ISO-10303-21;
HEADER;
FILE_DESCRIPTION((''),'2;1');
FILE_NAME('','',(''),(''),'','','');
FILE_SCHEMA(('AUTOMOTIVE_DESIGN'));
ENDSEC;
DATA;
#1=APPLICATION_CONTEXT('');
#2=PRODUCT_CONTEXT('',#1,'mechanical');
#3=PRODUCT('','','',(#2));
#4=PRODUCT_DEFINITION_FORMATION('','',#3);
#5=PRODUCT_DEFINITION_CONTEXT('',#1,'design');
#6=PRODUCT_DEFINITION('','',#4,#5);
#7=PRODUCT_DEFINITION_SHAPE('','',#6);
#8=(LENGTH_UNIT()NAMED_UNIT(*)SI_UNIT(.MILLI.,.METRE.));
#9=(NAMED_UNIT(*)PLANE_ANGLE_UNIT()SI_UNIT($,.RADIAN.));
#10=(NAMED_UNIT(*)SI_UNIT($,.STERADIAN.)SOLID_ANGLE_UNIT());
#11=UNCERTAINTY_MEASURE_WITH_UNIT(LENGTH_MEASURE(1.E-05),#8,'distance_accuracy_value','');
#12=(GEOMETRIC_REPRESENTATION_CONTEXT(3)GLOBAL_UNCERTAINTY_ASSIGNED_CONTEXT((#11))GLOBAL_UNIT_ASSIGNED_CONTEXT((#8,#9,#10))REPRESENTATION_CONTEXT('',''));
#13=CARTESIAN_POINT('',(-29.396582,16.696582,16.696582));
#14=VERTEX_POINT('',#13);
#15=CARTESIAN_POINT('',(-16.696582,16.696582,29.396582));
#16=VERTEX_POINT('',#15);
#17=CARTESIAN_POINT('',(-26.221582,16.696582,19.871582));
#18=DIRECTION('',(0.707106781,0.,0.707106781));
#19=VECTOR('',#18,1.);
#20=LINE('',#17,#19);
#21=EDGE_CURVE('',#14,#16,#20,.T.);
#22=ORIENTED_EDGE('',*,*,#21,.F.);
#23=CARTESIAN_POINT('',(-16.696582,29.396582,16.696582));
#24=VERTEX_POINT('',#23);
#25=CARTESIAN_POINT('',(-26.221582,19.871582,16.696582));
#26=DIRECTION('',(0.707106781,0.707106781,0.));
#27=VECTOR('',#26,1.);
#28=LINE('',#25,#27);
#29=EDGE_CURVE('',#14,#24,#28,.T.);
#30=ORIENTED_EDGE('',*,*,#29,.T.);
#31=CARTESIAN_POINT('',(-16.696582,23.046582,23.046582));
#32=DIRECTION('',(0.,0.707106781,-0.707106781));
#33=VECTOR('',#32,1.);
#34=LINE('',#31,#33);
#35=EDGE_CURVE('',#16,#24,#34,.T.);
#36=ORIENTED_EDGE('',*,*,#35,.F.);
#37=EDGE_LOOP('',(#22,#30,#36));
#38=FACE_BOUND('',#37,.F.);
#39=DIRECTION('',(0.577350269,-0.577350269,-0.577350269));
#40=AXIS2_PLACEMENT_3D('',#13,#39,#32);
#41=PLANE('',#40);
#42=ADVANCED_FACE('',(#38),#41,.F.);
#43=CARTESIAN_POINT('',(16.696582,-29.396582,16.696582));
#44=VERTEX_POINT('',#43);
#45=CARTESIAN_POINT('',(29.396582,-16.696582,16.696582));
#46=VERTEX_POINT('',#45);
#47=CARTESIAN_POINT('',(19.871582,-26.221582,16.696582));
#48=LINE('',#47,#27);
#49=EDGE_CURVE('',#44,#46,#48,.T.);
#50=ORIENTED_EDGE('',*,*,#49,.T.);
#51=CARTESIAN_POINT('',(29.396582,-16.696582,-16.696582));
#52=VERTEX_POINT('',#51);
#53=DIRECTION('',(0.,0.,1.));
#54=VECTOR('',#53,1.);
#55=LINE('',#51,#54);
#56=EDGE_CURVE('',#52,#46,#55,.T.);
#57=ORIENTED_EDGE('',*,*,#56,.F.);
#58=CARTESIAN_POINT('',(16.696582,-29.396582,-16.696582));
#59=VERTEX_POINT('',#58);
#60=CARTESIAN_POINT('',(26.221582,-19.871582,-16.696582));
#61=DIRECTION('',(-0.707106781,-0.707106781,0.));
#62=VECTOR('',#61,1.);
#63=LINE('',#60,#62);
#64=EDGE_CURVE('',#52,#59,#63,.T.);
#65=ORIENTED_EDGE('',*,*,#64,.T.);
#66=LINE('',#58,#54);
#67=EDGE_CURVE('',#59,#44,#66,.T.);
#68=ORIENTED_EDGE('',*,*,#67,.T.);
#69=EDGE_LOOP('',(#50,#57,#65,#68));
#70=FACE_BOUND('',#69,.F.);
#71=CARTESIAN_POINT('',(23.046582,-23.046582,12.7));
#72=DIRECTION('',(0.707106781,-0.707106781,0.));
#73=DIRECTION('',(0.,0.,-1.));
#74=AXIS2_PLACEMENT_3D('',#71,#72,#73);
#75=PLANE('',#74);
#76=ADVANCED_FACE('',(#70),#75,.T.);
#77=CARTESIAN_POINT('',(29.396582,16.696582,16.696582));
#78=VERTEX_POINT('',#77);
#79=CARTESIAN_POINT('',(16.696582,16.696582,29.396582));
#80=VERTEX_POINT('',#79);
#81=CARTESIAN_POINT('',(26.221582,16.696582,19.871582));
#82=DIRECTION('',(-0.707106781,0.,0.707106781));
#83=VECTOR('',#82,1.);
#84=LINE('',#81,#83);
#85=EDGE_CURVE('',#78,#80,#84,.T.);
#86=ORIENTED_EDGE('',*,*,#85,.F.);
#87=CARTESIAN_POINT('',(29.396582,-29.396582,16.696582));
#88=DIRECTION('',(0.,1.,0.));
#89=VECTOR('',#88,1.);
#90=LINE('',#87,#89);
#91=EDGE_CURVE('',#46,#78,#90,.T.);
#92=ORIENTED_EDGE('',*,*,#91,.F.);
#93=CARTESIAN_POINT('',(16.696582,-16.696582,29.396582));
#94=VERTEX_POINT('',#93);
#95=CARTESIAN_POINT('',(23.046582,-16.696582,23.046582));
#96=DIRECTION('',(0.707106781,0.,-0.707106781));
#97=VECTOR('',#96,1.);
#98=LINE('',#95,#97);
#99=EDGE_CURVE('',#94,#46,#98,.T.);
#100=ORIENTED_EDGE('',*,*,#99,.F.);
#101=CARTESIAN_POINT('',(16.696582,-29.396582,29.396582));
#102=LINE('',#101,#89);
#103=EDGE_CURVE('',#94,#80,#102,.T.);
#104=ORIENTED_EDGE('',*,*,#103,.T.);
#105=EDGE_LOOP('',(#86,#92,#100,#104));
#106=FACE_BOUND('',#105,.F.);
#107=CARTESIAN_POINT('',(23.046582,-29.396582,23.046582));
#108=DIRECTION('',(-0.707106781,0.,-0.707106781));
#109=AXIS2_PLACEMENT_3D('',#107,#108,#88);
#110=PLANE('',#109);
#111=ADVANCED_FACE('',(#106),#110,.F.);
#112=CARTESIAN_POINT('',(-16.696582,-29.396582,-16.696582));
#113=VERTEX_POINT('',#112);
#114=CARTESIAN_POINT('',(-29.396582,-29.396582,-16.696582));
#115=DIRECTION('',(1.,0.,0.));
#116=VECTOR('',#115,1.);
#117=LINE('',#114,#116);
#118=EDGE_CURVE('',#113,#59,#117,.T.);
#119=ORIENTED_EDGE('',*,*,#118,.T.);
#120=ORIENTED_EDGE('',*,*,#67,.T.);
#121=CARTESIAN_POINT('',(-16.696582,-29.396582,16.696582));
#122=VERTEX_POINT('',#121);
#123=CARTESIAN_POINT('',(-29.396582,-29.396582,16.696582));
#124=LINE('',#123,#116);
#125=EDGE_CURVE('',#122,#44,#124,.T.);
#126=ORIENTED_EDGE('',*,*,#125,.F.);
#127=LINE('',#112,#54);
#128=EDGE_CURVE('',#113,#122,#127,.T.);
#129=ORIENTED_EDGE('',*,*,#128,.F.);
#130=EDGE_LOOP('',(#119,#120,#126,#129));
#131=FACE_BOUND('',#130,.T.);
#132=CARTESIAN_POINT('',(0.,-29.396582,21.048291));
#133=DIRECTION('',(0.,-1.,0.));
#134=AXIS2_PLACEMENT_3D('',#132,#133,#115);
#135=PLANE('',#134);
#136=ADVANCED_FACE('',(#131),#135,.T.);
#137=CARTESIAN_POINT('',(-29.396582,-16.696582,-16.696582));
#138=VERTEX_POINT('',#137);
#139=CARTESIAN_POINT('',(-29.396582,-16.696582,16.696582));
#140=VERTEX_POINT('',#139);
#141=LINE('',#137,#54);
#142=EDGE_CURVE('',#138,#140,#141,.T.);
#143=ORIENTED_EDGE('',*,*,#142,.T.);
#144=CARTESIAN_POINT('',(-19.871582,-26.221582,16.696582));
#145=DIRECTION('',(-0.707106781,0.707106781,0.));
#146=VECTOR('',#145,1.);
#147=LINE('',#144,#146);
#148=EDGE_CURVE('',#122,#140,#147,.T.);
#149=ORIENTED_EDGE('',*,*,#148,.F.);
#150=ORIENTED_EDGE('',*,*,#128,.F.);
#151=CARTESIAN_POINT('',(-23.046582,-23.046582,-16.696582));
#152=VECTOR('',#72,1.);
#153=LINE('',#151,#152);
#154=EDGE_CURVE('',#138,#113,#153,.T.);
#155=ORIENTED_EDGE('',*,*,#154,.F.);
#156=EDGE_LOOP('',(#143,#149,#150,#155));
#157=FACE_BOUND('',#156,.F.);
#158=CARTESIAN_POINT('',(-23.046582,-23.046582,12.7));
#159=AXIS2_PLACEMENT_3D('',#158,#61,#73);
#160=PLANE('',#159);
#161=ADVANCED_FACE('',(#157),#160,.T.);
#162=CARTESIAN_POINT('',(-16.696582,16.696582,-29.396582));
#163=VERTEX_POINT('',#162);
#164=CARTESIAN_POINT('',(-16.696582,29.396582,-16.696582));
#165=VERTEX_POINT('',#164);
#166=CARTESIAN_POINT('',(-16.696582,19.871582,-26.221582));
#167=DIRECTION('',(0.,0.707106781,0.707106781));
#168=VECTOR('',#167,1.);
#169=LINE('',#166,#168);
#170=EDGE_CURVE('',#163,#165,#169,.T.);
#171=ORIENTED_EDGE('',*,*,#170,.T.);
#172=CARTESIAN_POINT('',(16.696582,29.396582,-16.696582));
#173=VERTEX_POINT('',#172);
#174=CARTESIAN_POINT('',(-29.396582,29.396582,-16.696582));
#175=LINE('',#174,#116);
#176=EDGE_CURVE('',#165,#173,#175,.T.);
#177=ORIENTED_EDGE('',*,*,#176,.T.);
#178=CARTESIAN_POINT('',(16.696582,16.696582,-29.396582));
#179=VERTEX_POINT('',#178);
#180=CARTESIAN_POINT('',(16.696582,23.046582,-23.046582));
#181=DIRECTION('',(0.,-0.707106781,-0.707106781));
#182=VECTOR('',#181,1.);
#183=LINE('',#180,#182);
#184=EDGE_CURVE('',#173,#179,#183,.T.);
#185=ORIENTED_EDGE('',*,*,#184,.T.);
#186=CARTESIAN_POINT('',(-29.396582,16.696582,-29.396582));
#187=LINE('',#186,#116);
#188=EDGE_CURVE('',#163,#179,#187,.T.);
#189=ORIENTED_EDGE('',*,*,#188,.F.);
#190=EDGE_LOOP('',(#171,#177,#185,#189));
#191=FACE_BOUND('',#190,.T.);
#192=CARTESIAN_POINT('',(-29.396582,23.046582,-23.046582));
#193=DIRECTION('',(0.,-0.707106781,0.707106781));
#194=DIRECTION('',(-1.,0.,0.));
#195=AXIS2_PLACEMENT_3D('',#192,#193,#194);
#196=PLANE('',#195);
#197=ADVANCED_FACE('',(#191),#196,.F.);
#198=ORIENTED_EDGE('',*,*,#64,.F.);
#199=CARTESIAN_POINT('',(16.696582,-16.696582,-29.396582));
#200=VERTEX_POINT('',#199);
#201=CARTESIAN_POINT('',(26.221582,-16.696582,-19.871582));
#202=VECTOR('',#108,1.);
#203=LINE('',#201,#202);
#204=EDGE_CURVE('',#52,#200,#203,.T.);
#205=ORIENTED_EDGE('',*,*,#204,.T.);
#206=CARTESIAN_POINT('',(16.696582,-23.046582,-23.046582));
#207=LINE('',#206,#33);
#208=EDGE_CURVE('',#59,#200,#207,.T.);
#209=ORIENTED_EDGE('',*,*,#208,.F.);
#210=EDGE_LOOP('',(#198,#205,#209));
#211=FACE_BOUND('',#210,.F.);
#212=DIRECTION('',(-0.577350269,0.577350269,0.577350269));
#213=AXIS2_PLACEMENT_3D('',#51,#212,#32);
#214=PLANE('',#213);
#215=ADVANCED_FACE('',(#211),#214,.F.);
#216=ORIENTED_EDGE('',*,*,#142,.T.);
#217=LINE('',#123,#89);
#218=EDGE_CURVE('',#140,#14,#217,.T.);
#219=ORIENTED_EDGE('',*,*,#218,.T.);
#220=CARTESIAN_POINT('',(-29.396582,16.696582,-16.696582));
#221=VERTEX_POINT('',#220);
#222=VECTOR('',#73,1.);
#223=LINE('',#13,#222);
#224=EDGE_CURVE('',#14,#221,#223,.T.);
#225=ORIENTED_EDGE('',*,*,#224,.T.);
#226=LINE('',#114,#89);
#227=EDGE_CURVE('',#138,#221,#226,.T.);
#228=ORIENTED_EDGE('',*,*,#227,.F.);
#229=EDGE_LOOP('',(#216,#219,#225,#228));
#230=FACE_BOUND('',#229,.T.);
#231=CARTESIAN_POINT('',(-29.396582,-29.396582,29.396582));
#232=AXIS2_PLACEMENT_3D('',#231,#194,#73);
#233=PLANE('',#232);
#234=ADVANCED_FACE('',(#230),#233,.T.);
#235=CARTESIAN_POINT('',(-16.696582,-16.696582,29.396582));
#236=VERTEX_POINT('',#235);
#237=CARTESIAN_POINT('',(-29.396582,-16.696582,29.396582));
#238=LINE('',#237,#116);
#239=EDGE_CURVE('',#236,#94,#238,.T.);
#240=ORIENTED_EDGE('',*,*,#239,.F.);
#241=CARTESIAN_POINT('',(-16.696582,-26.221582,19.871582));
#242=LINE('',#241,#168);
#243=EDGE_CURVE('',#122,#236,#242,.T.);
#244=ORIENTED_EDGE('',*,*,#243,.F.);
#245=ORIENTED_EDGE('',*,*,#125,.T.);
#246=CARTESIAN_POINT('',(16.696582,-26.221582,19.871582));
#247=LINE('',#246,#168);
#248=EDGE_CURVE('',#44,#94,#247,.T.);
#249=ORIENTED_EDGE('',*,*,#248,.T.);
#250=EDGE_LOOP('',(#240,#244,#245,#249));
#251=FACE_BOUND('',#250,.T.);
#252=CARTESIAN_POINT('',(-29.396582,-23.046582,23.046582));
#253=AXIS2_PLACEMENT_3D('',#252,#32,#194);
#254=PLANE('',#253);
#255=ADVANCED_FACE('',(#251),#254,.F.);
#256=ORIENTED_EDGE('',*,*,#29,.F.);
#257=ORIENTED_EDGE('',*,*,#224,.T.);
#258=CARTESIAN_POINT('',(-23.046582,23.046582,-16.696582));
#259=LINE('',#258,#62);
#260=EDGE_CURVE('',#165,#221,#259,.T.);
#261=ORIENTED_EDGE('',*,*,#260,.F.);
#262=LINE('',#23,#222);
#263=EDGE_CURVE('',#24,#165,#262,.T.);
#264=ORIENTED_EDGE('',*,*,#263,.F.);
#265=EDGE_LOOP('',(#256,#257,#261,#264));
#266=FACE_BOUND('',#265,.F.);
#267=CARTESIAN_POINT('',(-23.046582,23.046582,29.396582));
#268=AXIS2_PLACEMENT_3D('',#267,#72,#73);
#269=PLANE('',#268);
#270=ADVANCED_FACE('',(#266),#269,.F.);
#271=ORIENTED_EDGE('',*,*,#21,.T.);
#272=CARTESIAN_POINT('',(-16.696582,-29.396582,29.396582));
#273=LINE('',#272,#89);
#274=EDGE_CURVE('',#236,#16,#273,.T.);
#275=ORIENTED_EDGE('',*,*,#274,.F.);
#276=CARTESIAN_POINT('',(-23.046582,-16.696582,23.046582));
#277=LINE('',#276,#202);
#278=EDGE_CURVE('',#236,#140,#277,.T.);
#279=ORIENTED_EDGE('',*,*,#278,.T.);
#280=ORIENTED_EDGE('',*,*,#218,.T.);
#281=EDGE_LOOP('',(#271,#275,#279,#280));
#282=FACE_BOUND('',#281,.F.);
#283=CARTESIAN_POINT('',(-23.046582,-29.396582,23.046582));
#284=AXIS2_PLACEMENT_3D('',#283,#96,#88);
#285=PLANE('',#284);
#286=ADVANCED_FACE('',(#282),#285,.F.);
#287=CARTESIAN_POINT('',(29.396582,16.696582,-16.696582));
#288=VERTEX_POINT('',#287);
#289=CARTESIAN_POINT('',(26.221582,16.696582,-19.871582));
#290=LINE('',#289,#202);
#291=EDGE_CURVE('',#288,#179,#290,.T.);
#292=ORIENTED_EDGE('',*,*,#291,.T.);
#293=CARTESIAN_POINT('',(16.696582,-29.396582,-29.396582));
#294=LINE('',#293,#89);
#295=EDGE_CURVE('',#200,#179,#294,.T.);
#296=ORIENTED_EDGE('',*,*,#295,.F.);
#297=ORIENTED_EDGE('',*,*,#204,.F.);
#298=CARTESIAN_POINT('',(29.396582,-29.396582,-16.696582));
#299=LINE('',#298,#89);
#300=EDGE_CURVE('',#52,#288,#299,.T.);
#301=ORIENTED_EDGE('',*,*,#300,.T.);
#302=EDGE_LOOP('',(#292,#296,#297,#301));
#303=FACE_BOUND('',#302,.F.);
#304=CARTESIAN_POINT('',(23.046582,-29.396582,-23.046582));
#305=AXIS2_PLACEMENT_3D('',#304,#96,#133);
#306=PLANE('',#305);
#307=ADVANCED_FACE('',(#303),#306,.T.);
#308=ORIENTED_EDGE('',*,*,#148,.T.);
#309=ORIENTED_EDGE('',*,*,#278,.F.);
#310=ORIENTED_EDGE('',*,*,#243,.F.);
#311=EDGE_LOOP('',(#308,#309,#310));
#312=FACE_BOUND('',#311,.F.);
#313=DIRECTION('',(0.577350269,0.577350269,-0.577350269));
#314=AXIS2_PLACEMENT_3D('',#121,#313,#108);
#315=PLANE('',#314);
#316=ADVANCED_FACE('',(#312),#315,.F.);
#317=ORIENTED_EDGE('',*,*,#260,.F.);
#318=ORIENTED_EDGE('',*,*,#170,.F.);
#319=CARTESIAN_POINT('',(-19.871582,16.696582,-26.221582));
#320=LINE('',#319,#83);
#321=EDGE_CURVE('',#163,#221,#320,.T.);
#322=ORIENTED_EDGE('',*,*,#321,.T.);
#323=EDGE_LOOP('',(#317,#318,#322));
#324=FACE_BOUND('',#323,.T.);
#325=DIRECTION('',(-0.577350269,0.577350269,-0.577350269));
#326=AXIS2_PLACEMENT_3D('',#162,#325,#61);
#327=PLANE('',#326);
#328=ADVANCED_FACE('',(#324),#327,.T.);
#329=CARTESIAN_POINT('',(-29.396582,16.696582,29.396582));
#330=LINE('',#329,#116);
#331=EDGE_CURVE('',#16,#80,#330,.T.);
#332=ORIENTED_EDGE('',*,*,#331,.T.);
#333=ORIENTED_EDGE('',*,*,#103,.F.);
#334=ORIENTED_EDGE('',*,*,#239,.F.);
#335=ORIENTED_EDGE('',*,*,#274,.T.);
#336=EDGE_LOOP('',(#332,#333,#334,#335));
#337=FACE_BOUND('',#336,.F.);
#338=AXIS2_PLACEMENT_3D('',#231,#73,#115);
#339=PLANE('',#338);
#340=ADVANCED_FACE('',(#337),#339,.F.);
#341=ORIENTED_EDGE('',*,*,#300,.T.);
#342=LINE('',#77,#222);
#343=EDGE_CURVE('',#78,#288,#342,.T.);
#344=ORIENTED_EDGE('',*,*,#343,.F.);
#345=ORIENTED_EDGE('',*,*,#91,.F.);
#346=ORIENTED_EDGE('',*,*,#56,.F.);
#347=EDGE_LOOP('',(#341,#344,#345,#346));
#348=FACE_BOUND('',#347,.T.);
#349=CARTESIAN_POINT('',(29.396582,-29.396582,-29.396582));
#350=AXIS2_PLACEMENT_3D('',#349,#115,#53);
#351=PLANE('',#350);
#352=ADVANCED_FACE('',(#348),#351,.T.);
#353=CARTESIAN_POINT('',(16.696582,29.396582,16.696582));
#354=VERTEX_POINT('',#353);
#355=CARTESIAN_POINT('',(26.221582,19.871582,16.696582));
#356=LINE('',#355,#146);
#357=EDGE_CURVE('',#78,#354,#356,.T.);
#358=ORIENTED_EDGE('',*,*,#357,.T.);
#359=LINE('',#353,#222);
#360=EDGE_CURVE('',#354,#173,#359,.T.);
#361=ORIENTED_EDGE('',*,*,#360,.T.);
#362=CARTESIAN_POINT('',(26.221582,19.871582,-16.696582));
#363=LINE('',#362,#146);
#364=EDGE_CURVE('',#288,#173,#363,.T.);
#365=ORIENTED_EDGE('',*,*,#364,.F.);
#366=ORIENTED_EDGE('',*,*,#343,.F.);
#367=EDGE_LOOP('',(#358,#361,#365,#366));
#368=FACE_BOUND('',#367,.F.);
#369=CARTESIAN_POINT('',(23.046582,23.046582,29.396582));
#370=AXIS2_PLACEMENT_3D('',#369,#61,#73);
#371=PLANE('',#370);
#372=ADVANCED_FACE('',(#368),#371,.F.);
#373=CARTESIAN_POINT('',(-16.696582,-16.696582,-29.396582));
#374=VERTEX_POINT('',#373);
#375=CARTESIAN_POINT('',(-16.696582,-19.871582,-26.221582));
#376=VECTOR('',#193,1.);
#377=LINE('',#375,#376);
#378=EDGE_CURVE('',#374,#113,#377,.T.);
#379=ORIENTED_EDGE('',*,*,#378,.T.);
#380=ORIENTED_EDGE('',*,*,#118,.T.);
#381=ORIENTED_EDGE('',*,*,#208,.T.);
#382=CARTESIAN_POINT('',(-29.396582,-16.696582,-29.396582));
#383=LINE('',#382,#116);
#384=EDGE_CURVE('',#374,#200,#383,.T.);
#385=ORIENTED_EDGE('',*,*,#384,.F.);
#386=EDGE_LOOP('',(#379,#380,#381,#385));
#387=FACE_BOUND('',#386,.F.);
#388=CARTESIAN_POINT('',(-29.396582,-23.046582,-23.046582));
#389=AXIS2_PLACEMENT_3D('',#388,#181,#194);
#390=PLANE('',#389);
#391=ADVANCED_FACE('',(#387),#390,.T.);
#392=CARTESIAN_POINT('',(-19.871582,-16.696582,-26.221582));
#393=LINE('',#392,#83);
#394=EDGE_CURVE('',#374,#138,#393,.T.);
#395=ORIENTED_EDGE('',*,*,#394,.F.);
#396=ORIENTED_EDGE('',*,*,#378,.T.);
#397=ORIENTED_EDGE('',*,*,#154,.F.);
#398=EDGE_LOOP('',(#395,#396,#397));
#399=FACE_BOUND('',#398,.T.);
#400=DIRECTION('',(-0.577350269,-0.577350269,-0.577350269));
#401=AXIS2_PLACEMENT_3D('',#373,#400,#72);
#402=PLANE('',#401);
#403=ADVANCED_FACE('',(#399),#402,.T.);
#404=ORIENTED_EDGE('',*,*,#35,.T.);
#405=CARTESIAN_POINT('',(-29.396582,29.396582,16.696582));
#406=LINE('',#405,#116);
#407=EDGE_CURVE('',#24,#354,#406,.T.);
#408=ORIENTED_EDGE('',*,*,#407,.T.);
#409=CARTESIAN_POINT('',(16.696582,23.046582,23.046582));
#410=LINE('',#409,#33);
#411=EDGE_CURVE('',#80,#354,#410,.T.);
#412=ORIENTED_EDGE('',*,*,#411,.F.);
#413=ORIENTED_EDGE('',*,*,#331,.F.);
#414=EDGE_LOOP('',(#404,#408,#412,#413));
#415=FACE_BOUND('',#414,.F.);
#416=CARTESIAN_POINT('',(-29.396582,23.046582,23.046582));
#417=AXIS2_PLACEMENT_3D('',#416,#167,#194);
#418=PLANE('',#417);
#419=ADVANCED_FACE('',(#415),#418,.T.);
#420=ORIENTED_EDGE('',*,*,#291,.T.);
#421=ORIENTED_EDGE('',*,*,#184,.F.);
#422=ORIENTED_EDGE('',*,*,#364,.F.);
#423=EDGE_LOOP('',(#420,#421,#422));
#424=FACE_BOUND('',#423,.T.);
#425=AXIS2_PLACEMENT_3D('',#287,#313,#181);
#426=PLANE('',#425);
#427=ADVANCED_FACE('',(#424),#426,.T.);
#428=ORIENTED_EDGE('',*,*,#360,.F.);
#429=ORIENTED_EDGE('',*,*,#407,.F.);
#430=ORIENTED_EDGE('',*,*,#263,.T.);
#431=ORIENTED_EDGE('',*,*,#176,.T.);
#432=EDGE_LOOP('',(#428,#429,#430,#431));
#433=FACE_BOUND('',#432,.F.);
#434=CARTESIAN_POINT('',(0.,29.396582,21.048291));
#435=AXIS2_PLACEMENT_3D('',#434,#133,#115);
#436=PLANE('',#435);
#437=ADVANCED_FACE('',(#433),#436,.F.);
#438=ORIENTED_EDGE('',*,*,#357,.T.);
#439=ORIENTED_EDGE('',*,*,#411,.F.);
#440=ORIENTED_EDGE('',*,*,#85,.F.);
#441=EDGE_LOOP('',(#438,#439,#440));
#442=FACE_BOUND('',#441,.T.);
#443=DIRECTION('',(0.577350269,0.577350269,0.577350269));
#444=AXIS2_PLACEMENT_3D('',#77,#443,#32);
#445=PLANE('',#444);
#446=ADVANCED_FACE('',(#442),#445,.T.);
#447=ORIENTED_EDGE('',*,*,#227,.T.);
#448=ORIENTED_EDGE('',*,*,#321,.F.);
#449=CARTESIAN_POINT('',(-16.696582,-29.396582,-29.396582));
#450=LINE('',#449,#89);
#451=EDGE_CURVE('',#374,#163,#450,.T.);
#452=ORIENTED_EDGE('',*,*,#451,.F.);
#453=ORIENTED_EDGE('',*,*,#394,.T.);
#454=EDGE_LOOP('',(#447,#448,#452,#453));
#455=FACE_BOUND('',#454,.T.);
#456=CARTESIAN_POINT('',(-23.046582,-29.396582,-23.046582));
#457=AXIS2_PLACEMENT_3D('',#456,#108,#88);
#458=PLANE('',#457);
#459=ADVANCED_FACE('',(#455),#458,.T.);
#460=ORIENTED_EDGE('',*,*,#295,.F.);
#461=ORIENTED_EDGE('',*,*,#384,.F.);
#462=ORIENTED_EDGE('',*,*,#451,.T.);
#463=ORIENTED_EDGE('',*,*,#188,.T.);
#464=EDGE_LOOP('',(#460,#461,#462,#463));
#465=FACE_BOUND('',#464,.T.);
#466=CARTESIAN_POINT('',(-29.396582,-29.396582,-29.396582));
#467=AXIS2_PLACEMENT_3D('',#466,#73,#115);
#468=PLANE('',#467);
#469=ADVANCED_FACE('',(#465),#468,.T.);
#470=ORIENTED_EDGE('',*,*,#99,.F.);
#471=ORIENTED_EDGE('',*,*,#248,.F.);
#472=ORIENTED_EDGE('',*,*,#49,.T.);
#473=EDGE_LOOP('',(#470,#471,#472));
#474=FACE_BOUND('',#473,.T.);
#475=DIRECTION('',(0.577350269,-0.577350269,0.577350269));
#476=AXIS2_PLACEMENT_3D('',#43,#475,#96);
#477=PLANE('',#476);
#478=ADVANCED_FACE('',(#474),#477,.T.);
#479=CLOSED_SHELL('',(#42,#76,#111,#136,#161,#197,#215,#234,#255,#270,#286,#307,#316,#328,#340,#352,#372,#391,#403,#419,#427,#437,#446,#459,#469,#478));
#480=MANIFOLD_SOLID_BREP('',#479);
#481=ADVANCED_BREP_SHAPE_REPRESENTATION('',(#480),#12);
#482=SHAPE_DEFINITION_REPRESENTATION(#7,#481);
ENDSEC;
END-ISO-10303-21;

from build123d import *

# Parameters (mm, degrees)
F0_W     = 58.7931647897
F0_H     = 58.7931647897
F1_DEPTH = 12.7
F2_W     = 58.7931647897
F2_H     = 16.6965823948
F2_H_2   = 25.4
F3_DEPTH = 58.7931647897
F4_SIZE  = 12.7


with BuildPart() as f1:
    # F0 (on Top) → F1 (new body, symmetric)
    with BuildSketch(Plane.XY):
        Rectangle(F0_W, F0_H)
    extrude(amount=F1_DEPTH, both=True)

    # F2 (on face) → F3 (join, through all)
    with BuildSketch(Plane.XZ.offset(29.3965823948)):
        with Locations((0, 21.0482911974)):
            Rectangle(F2_W, F2_H)
        with Locations((0, -21.0482911974)):
            Rectangle(F2_W, F2_H)
        Rectangle(F2_W, F2_H_2)
    extrude(amount=-F3_DEPTH)

    # F4
    f4_edges = [f1.edges().sort_by_distance(p)[0] for p in [
        (0, 29.396582, 29.396582),
        (-29.396582, 0, 29.396582),
        (-29.396582, 29.396582, 0),
        (29.396582, 0, 29.396582),
        (0, -29.396582, 29.396582),
        (0, 29.396582, -29.396582),
        (29.396582, 29.396582, 0),
        (-29.396582, -29.396582, 0),
        (-29.396582, 0, -29.396582),
        (0, -29.396582, -29.396582),
        (29.396582, -29.396582, 0),
        (29.396582, 0, -29.396582),
    ]]
    chamfer(f4_edges, length=F4_SIZE)


solid = f1.part
